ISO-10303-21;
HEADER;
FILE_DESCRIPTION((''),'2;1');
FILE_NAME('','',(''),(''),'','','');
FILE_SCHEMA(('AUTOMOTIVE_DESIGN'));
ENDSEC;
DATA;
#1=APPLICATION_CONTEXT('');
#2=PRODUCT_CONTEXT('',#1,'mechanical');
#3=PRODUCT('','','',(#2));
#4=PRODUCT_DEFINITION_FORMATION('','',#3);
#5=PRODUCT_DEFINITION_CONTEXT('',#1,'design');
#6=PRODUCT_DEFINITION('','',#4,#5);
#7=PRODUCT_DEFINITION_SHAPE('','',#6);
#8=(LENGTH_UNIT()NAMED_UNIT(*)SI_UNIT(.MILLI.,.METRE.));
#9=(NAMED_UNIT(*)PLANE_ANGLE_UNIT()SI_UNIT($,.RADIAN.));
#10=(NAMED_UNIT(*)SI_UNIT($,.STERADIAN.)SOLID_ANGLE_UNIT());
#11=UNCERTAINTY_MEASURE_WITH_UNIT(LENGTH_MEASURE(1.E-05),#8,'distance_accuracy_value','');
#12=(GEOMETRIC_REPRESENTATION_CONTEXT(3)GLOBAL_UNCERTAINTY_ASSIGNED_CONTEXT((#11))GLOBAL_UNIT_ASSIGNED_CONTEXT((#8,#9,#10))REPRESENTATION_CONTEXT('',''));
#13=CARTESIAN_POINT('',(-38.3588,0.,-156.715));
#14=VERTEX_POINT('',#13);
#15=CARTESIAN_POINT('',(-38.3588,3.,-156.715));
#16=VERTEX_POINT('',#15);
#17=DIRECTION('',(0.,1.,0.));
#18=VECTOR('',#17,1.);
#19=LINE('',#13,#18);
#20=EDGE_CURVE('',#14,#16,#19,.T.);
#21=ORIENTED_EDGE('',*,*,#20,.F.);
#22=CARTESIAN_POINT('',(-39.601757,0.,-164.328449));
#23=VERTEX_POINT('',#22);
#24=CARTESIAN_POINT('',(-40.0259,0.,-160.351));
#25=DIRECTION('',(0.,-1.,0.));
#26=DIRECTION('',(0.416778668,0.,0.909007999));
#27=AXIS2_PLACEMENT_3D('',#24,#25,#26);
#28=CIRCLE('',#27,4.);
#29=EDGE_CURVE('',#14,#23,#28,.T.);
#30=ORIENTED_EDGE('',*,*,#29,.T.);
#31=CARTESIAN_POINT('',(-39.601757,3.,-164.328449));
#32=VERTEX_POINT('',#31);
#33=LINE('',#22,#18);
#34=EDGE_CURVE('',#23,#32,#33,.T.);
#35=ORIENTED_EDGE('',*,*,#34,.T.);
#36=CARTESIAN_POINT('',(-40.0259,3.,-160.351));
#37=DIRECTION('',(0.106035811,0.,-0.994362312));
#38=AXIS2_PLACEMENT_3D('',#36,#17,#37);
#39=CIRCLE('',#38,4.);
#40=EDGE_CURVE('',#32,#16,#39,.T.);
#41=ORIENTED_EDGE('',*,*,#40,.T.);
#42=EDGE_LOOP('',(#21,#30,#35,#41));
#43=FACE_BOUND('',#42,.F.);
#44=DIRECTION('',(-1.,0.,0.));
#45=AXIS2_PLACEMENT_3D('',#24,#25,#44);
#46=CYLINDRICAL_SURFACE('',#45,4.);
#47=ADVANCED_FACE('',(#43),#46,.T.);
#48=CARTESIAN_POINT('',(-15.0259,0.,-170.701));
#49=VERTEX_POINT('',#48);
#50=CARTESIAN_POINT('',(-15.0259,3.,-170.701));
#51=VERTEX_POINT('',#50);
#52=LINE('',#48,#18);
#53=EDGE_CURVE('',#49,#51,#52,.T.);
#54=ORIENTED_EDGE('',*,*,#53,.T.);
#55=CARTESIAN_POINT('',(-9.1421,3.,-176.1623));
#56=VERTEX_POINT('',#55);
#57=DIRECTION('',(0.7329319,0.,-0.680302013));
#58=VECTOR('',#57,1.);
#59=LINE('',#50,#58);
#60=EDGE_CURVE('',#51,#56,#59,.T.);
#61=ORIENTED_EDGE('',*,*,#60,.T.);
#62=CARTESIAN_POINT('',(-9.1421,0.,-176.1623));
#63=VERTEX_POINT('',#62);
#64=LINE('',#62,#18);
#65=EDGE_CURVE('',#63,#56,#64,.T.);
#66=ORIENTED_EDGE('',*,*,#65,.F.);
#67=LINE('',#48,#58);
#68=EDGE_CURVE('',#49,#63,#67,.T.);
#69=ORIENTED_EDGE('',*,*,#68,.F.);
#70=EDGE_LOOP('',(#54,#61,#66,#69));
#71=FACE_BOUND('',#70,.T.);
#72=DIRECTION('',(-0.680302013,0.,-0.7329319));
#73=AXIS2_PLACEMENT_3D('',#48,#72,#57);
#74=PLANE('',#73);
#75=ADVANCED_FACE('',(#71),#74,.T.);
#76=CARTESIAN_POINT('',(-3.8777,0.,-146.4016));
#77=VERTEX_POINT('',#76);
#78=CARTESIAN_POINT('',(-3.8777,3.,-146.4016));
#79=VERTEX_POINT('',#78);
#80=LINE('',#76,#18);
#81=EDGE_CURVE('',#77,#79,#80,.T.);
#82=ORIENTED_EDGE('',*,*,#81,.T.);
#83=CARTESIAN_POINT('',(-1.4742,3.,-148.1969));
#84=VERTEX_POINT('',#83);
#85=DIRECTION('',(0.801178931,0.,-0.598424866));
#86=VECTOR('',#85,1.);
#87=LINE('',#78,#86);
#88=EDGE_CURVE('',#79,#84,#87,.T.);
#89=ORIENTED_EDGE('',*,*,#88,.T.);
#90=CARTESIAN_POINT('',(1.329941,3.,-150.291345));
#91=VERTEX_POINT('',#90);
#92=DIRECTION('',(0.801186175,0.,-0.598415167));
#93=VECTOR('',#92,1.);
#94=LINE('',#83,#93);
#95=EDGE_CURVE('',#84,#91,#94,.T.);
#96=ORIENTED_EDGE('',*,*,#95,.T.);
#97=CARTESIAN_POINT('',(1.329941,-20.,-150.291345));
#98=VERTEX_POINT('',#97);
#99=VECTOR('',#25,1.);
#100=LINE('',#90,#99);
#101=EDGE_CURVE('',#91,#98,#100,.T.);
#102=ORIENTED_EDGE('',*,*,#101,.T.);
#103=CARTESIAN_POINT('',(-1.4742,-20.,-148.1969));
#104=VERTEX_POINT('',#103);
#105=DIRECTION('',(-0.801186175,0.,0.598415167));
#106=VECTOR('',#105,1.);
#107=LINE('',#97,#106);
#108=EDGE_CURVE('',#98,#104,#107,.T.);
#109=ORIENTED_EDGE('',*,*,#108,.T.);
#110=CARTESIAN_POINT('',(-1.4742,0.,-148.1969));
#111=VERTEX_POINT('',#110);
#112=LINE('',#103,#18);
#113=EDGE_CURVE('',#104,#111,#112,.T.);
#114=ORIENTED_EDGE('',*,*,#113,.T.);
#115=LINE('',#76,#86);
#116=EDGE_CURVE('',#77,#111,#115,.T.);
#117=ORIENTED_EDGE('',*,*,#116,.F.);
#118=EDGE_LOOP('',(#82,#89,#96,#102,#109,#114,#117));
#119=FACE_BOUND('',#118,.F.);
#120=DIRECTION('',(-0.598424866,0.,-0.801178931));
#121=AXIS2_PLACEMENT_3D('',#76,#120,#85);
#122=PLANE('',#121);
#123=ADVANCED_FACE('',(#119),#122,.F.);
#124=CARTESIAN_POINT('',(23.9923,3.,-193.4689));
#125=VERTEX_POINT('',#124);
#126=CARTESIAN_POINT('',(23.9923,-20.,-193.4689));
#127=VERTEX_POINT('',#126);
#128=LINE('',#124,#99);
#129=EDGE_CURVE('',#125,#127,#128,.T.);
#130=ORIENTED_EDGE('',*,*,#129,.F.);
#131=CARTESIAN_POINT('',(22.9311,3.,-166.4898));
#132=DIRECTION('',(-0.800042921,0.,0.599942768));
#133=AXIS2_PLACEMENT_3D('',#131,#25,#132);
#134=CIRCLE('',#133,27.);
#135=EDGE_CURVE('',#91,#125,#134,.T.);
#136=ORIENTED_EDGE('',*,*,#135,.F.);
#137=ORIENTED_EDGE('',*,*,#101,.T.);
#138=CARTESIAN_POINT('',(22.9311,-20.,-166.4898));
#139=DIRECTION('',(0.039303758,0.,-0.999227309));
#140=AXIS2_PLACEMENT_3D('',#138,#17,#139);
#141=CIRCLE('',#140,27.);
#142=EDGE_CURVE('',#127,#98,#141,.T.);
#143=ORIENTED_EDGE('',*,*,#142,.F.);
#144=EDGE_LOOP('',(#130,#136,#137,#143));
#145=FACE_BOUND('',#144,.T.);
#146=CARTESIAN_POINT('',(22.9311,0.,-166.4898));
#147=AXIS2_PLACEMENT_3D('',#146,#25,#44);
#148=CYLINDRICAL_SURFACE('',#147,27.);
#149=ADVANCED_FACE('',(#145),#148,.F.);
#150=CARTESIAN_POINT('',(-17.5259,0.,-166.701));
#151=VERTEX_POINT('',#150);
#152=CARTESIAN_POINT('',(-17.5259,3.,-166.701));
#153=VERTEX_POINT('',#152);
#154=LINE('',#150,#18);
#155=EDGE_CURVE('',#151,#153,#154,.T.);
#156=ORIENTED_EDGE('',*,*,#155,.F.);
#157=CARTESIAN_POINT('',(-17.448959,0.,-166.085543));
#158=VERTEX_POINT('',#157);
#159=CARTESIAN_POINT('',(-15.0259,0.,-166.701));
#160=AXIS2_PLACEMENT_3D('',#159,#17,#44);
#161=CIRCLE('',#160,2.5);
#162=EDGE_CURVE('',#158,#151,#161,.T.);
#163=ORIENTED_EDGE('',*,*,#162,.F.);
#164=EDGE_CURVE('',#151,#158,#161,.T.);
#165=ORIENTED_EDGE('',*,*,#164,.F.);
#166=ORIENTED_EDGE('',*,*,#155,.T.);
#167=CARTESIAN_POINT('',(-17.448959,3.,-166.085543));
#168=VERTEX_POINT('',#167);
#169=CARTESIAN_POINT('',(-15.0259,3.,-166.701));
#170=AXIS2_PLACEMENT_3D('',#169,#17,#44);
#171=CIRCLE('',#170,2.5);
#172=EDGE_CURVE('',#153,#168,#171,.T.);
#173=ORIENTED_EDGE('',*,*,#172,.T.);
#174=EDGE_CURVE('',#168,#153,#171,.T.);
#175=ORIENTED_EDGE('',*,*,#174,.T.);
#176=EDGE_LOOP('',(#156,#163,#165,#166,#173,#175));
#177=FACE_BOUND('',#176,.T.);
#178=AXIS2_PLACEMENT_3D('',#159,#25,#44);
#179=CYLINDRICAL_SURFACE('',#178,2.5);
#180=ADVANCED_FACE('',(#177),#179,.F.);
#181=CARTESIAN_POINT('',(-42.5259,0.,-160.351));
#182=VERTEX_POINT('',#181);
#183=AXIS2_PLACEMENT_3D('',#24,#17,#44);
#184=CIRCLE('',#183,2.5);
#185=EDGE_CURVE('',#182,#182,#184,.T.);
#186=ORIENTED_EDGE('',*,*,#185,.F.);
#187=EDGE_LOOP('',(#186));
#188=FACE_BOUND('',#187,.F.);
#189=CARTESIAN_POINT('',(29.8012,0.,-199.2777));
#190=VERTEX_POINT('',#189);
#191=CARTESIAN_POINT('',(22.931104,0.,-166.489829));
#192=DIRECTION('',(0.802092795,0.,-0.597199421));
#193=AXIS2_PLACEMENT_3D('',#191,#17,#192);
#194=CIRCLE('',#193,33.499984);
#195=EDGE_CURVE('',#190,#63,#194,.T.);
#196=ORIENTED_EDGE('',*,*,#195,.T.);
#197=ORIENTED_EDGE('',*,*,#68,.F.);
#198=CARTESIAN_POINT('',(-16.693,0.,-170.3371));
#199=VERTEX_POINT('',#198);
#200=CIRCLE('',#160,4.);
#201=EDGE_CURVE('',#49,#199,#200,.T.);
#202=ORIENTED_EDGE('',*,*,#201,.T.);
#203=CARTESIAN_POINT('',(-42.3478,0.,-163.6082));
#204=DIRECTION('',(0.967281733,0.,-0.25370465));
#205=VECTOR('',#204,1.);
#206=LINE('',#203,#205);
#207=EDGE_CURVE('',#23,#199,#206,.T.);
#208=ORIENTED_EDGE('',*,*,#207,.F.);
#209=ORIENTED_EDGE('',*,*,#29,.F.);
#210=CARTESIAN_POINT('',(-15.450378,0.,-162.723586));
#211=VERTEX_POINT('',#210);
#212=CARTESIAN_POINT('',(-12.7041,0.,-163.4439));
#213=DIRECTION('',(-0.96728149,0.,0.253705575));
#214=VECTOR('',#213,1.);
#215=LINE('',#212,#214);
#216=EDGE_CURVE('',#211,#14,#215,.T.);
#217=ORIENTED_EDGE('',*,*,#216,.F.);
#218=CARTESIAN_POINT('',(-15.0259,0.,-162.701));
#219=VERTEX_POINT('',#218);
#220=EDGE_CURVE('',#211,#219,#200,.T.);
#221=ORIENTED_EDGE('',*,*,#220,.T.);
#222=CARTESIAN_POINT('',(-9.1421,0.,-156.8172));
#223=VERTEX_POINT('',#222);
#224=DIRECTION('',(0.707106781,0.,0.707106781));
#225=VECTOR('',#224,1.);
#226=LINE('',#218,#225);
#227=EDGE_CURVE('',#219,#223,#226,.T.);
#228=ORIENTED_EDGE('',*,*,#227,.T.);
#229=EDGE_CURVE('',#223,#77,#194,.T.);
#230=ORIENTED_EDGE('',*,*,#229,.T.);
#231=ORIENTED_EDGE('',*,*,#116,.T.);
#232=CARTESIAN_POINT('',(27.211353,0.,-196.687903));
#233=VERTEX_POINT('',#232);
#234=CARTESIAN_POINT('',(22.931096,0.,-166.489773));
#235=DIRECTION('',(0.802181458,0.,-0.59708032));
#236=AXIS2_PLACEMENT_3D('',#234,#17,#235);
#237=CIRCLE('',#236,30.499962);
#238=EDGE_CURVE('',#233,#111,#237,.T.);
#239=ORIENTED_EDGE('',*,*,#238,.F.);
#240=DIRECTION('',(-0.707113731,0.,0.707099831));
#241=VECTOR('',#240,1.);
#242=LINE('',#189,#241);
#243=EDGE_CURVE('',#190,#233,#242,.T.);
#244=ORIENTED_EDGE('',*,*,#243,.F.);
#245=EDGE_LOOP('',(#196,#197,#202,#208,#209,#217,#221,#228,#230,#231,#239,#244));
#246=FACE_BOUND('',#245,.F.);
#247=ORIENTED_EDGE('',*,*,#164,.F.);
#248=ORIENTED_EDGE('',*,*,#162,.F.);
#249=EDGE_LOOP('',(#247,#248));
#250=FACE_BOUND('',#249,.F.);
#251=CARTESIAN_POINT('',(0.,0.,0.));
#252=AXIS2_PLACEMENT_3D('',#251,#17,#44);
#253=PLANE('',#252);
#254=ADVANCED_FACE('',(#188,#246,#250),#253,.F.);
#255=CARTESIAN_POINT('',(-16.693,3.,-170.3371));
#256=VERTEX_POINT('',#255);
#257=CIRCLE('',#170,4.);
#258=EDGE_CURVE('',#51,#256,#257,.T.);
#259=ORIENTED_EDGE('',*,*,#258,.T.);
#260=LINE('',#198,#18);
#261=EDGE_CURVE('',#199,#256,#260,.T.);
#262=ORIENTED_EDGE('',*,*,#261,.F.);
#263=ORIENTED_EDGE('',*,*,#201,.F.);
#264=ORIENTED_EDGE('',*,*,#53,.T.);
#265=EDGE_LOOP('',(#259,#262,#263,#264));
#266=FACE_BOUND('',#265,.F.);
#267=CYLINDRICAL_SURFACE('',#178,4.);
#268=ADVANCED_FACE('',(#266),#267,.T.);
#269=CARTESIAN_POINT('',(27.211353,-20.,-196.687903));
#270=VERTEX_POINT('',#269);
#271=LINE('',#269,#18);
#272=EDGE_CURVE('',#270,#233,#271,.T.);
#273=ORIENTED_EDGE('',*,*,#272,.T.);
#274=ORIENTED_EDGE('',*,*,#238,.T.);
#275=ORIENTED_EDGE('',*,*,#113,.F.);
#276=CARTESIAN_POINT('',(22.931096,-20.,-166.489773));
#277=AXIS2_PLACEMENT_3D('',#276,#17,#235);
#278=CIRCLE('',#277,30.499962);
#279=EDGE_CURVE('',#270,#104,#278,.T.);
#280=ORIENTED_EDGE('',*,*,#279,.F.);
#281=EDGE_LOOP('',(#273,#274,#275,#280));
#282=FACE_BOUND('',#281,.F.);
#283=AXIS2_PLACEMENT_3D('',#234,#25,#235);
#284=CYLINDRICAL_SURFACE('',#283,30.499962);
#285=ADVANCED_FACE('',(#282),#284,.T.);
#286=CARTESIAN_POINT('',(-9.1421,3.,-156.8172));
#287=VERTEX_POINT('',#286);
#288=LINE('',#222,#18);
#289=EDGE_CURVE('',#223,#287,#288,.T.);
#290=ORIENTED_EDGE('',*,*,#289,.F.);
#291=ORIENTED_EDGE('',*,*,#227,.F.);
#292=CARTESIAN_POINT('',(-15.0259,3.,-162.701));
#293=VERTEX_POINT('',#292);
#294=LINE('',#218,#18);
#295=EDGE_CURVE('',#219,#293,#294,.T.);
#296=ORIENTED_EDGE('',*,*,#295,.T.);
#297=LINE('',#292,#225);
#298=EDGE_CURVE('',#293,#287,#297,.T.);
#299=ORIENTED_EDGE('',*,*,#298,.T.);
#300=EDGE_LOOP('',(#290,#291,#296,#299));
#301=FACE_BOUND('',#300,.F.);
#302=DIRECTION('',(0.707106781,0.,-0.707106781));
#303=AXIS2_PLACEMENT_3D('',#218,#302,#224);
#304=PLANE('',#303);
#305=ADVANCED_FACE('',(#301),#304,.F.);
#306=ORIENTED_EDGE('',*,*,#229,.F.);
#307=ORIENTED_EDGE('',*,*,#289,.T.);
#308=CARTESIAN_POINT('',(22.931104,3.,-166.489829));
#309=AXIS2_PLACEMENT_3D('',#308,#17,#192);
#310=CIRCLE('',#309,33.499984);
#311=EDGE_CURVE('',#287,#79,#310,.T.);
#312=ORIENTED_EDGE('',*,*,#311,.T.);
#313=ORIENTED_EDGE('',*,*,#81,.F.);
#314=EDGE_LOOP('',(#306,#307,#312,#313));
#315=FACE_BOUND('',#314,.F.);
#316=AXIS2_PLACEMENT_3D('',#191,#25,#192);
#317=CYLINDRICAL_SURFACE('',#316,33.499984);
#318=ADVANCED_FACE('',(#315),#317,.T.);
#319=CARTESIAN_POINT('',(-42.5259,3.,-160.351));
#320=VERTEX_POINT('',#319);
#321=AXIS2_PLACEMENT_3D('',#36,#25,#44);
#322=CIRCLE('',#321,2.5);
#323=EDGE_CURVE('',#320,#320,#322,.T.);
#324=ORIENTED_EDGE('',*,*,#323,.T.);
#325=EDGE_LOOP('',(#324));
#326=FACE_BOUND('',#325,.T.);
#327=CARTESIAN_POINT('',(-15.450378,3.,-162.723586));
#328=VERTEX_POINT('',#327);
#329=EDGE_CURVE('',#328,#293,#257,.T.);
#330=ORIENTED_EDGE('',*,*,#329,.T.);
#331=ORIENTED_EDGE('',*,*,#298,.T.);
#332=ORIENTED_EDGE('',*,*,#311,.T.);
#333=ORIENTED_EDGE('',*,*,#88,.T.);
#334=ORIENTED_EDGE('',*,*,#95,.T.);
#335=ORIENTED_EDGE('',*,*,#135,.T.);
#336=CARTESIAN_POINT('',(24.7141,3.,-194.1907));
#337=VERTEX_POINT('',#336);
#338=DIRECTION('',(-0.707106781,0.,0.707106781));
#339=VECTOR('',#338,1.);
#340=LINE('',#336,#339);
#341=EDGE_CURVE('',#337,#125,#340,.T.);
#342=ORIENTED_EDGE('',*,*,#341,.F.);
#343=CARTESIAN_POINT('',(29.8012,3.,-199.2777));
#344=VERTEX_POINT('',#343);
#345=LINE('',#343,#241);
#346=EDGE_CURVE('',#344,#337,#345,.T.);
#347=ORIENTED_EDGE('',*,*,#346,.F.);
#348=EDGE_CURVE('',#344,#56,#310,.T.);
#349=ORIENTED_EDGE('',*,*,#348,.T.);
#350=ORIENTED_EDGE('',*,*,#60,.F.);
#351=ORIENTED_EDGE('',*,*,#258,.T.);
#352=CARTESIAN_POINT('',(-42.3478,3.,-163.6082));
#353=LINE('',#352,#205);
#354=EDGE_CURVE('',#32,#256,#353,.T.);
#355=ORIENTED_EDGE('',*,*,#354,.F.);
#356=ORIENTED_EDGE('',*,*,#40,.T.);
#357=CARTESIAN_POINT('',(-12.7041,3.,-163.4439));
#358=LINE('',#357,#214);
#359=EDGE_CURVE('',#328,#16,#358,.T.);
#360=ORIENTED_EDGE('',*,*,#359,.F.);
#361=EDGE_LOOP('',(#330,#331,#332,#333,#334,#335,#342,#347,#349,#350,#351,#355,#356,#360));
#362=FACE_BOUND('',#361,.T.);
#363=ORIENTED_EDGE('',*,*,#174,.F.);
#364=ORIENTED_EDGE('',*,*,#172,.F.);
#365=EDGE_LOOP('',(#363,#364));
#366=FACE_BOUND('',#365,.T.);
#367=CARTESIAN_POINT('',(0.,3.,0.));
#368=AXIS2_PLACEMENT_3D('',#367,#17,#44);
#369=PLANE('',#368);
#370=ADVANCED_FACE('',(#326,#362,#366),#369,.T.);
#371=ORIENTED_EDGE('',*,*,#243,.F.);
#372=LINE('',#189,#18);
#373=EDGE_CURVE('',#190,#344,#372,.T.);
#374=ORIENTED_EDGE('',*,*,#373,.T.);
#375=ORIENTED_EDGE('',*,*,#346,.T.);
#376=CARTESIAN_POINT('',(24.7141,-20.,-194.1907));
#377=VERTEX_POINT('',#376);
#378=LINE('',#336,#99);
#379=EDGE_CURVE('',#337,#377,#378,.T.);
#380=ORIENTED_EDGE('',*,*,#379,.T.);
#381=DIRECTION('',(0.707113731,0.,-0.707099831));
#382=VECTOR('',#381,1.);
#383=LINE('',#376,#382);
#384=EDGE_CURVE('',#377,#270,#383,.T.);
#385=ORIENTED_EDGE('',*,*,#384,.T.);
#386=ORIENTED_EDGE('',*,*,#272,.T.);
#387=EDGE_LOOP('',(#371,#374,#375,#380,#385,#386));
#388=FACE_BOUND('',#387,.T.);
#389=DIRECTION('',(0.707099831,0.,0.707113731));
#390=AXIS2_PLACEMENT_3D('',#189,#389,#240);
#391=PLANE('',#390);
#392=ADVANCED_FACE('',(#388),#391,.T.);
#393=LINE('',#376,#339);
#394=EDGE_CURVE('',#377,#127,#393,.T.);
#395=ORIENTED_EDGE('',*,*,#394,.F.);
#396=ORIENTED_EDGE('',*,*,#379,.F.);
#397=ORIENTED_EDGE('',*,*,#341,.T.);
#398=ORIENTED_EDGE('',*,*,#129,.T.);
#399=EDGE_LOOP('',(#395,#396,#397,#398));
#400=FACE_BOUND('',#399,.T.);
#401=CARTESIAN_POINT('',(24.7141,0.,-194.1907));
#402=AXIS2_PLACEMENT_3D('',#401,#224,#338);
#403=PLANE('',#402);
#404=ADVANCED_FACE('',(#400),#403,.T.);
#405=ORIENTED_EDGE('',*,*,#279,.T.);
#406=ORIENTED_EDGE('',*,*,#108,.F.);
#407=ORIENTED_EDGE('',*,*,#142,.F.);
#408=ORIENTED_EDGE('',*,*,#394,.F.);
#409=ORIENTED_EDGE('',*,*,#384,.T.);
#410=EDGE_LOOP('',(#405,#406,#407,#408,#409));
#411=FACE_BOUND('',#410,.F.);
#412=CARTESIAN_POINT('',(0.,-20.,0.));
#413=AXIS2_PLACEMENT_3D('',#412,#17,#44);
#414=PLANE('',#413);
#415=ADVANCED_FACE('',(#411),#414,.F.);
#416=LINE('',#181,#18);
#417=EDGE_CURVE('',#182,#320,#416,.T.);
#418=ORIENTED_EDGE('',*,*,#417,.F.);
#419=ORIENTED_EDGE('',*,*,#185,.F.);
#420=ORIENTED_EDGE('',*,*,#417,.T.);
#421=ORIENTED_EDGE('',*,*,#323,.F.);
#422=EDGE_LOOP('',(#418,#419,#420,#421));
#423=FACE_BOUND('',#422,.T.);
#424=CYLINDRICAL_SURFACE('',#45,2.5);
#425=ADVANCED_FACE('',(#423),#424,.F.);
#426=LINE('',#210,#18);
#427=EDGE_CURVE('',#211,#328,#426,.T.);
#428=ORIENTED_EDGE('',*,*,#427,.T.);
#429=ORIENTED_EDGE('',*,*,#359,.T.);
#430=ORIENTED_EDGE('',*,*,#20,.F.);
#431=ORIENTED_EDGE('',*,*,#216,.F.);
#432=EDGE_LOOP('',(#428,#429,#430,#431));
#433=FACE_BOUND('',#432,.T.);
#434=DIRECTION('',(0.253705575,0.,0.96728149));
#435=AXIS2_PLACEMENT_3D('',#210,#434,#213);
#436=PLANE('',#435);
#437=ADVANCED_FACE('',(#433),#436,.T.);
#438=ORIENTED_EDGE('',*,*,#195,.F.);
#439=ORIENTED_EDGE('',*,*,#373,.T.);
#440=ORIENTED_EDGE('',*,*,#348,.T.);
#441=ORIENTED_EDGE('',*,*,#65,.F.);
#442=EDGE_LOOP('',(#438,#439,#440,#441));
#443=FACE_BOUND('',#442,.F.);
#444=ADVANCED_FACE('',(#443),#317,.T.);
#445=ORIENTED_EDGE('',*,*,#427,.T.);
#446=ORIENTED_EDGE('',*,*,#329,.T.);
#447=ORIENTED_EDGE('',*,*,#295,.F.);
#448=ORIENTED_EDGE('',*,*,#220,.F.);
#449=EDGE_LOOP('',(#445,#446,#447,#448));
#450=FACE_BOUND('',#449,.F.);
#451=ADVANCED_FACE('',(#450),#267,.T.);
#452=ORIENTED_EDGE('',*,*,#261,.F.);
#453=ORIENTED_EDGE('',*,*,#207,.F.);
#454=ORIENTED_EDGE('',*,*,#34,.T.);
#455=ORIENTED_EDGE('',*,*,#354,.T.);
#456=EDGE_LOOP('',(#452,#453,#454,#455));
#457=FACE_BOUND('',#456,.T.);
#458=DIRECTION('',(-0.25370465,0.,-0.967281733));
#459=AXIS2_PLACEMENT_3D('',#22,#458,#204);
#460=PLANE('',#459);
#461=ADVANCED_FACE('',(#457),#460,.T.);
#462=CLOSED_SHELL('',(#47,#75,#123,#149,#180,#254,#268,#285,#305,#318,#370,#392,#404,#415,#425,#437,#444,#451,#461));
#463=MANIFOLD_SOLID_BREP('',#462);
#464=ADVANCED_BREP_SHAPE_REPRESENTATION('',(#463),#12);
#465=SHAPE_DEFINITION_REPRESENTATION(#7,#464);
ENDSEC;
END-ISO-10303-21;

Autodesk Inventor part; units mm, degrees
ref_plane "YZ Plane" through (0, 0, 0) normal (1, 0, 0) x (0, 1, 0)
ref_plane "XZ Plane" through (0, 0, 0) normal (0, 1, 0) x (-1, 0, 0)
ref_plane "XY Plane" through (0, 0, 0) normal (0, 0, 1) x (1, 0, 0)
sketch "Sketch1" plane through (0, 0, 0) normal (0, 1, 0) x (-1, 0, 0)
  arc A0 (-46.1959, -183.8031) -> (0.2724, -149.0945) centre (-22.9311, -166.4898) ccw
  arc A1 (-47.3976, -184.7007) -> (1.4742, -148.1969) centre (-22.9311, -166.4898) ccw
  arc A2 (-49.8012, -186.496) -> (3.8777, -146.4016) centre (-22.9311, -166.4898) ccw
  circle A3 centre (15.0259, -166.701) radius 2.5
  circle A4 centre (15.0259, -166.701) radius 4
  line L0 (42.3478, -163.6082) -> (16.693, -170.3371)
  circle A5 centre (40.0259, -160.351) radius 2.5
  circle A6 centre (40.0259, -160.351) radius 4
  line L1 (12.7041, -163.4439) -> (38.3588, -156.715)
  line L2 (-22.9311, -166.4898) -> (9.5689, -166.4898) construction
  line L3 (15.0259, -162.701) -> (9.1421, -156.8172)
  line L4 (15.0259, -162.701) -> (23.347, -162.701) construction
  line L5 (40.0259, -160.351) -> (40.0259, -166.701)
  line L6 (15.0259, -166.701) -> (40.0259, -160.351)
  line L7 (3.8777, -146.4016) -> (-49.8012, -186.496)
  line L8 (-34.5984, -197.8924) -> (-31.5136, -194.1907)
  line L9 (15.0259, -170.701) -> (21.3292, -170.701) construction
  line L10 (15.0259, -170.701) -> (9.1421, -176.1623)
  circle A7 centre (-22.9311, -166.4898) radius 27
  line L11 (-49.8012, -186.496) -> (-49.8012, -206)
  line L12 (-49.8012, -206) -> (-29.8012, -206)
  line L13 (-29.8012, -206) -> (-29.8012, -199.2777)
  line L14 (-29.8012, -199.2777) -> (-24.7141, -194.1907)
  line L15 (-29.8012, -199.2777) -> (-22.607, -199.2777) construction
  line L16 (-24.7141, -194.1907) -> (-23.9923, -193.4689)
  line L17 (-31.5136, -194.1907) -> (-30.1178, -192.5157)
  point P0 (0, -166)
  point P1 (10.3976, -163.1063)
  point P2 (10.5689, -166.4898)
  point P3 (-56.4309, -166.6014)
  point P4 (11.7433, -168.9867)
  point P5 (15.4503, -162.7236)
  point P6 (39.6016, -164.3285)
  point P7 (-46.6192, -190.1778)
  point P8 (0.7569, -142.8017)
  point P9 (19.0611, -162.9823)
  point P10 (1.0736, -148.4961)
  point P11 (-46.9971, -184.4015)
  point P12 (0.2724, -149.0945)
  point P13 (-32.5494, -195.4335)
  point P14 (-27.2114, -196.6879)
  point P15 (-1.3299, -150.2913)
  dimension "d18" = 67
  dimension "d14" = 135
  dimension "d17" = 25
  dimension "d19" = 61
  dimension "d20" = 58
  dimension "d21" = 8
  dimension "d22" = 5
  dimension "d23" = 8
  dimension "d24" = 5
  dimension "d25" = 19
  dimension "d27" = 54
  dimension "d28" = 20
  dimension "d29" = 45
extrude "Extrusion1" add sketch "Sketch1" along normal blind 3 contours A1 L7 A2 L14 | A2 L3 A4 L10 | A4 L1 | A4 L1 | A4 L6 A6 L0 | L1 A6 L6 A4 | A6 L6 A5 L5 L0 | L0 L5 A6 | A6 L0 L5 A5 L6 | L0 A6 L5
extrude "Extrusion2" add sketch "Sketch1" along normal blind 3 and the other way blind 20 contours L14 L16 A7 L7 A0 | A0 L7 A1 L14
properties part number "Right Hand_3DPrint"
